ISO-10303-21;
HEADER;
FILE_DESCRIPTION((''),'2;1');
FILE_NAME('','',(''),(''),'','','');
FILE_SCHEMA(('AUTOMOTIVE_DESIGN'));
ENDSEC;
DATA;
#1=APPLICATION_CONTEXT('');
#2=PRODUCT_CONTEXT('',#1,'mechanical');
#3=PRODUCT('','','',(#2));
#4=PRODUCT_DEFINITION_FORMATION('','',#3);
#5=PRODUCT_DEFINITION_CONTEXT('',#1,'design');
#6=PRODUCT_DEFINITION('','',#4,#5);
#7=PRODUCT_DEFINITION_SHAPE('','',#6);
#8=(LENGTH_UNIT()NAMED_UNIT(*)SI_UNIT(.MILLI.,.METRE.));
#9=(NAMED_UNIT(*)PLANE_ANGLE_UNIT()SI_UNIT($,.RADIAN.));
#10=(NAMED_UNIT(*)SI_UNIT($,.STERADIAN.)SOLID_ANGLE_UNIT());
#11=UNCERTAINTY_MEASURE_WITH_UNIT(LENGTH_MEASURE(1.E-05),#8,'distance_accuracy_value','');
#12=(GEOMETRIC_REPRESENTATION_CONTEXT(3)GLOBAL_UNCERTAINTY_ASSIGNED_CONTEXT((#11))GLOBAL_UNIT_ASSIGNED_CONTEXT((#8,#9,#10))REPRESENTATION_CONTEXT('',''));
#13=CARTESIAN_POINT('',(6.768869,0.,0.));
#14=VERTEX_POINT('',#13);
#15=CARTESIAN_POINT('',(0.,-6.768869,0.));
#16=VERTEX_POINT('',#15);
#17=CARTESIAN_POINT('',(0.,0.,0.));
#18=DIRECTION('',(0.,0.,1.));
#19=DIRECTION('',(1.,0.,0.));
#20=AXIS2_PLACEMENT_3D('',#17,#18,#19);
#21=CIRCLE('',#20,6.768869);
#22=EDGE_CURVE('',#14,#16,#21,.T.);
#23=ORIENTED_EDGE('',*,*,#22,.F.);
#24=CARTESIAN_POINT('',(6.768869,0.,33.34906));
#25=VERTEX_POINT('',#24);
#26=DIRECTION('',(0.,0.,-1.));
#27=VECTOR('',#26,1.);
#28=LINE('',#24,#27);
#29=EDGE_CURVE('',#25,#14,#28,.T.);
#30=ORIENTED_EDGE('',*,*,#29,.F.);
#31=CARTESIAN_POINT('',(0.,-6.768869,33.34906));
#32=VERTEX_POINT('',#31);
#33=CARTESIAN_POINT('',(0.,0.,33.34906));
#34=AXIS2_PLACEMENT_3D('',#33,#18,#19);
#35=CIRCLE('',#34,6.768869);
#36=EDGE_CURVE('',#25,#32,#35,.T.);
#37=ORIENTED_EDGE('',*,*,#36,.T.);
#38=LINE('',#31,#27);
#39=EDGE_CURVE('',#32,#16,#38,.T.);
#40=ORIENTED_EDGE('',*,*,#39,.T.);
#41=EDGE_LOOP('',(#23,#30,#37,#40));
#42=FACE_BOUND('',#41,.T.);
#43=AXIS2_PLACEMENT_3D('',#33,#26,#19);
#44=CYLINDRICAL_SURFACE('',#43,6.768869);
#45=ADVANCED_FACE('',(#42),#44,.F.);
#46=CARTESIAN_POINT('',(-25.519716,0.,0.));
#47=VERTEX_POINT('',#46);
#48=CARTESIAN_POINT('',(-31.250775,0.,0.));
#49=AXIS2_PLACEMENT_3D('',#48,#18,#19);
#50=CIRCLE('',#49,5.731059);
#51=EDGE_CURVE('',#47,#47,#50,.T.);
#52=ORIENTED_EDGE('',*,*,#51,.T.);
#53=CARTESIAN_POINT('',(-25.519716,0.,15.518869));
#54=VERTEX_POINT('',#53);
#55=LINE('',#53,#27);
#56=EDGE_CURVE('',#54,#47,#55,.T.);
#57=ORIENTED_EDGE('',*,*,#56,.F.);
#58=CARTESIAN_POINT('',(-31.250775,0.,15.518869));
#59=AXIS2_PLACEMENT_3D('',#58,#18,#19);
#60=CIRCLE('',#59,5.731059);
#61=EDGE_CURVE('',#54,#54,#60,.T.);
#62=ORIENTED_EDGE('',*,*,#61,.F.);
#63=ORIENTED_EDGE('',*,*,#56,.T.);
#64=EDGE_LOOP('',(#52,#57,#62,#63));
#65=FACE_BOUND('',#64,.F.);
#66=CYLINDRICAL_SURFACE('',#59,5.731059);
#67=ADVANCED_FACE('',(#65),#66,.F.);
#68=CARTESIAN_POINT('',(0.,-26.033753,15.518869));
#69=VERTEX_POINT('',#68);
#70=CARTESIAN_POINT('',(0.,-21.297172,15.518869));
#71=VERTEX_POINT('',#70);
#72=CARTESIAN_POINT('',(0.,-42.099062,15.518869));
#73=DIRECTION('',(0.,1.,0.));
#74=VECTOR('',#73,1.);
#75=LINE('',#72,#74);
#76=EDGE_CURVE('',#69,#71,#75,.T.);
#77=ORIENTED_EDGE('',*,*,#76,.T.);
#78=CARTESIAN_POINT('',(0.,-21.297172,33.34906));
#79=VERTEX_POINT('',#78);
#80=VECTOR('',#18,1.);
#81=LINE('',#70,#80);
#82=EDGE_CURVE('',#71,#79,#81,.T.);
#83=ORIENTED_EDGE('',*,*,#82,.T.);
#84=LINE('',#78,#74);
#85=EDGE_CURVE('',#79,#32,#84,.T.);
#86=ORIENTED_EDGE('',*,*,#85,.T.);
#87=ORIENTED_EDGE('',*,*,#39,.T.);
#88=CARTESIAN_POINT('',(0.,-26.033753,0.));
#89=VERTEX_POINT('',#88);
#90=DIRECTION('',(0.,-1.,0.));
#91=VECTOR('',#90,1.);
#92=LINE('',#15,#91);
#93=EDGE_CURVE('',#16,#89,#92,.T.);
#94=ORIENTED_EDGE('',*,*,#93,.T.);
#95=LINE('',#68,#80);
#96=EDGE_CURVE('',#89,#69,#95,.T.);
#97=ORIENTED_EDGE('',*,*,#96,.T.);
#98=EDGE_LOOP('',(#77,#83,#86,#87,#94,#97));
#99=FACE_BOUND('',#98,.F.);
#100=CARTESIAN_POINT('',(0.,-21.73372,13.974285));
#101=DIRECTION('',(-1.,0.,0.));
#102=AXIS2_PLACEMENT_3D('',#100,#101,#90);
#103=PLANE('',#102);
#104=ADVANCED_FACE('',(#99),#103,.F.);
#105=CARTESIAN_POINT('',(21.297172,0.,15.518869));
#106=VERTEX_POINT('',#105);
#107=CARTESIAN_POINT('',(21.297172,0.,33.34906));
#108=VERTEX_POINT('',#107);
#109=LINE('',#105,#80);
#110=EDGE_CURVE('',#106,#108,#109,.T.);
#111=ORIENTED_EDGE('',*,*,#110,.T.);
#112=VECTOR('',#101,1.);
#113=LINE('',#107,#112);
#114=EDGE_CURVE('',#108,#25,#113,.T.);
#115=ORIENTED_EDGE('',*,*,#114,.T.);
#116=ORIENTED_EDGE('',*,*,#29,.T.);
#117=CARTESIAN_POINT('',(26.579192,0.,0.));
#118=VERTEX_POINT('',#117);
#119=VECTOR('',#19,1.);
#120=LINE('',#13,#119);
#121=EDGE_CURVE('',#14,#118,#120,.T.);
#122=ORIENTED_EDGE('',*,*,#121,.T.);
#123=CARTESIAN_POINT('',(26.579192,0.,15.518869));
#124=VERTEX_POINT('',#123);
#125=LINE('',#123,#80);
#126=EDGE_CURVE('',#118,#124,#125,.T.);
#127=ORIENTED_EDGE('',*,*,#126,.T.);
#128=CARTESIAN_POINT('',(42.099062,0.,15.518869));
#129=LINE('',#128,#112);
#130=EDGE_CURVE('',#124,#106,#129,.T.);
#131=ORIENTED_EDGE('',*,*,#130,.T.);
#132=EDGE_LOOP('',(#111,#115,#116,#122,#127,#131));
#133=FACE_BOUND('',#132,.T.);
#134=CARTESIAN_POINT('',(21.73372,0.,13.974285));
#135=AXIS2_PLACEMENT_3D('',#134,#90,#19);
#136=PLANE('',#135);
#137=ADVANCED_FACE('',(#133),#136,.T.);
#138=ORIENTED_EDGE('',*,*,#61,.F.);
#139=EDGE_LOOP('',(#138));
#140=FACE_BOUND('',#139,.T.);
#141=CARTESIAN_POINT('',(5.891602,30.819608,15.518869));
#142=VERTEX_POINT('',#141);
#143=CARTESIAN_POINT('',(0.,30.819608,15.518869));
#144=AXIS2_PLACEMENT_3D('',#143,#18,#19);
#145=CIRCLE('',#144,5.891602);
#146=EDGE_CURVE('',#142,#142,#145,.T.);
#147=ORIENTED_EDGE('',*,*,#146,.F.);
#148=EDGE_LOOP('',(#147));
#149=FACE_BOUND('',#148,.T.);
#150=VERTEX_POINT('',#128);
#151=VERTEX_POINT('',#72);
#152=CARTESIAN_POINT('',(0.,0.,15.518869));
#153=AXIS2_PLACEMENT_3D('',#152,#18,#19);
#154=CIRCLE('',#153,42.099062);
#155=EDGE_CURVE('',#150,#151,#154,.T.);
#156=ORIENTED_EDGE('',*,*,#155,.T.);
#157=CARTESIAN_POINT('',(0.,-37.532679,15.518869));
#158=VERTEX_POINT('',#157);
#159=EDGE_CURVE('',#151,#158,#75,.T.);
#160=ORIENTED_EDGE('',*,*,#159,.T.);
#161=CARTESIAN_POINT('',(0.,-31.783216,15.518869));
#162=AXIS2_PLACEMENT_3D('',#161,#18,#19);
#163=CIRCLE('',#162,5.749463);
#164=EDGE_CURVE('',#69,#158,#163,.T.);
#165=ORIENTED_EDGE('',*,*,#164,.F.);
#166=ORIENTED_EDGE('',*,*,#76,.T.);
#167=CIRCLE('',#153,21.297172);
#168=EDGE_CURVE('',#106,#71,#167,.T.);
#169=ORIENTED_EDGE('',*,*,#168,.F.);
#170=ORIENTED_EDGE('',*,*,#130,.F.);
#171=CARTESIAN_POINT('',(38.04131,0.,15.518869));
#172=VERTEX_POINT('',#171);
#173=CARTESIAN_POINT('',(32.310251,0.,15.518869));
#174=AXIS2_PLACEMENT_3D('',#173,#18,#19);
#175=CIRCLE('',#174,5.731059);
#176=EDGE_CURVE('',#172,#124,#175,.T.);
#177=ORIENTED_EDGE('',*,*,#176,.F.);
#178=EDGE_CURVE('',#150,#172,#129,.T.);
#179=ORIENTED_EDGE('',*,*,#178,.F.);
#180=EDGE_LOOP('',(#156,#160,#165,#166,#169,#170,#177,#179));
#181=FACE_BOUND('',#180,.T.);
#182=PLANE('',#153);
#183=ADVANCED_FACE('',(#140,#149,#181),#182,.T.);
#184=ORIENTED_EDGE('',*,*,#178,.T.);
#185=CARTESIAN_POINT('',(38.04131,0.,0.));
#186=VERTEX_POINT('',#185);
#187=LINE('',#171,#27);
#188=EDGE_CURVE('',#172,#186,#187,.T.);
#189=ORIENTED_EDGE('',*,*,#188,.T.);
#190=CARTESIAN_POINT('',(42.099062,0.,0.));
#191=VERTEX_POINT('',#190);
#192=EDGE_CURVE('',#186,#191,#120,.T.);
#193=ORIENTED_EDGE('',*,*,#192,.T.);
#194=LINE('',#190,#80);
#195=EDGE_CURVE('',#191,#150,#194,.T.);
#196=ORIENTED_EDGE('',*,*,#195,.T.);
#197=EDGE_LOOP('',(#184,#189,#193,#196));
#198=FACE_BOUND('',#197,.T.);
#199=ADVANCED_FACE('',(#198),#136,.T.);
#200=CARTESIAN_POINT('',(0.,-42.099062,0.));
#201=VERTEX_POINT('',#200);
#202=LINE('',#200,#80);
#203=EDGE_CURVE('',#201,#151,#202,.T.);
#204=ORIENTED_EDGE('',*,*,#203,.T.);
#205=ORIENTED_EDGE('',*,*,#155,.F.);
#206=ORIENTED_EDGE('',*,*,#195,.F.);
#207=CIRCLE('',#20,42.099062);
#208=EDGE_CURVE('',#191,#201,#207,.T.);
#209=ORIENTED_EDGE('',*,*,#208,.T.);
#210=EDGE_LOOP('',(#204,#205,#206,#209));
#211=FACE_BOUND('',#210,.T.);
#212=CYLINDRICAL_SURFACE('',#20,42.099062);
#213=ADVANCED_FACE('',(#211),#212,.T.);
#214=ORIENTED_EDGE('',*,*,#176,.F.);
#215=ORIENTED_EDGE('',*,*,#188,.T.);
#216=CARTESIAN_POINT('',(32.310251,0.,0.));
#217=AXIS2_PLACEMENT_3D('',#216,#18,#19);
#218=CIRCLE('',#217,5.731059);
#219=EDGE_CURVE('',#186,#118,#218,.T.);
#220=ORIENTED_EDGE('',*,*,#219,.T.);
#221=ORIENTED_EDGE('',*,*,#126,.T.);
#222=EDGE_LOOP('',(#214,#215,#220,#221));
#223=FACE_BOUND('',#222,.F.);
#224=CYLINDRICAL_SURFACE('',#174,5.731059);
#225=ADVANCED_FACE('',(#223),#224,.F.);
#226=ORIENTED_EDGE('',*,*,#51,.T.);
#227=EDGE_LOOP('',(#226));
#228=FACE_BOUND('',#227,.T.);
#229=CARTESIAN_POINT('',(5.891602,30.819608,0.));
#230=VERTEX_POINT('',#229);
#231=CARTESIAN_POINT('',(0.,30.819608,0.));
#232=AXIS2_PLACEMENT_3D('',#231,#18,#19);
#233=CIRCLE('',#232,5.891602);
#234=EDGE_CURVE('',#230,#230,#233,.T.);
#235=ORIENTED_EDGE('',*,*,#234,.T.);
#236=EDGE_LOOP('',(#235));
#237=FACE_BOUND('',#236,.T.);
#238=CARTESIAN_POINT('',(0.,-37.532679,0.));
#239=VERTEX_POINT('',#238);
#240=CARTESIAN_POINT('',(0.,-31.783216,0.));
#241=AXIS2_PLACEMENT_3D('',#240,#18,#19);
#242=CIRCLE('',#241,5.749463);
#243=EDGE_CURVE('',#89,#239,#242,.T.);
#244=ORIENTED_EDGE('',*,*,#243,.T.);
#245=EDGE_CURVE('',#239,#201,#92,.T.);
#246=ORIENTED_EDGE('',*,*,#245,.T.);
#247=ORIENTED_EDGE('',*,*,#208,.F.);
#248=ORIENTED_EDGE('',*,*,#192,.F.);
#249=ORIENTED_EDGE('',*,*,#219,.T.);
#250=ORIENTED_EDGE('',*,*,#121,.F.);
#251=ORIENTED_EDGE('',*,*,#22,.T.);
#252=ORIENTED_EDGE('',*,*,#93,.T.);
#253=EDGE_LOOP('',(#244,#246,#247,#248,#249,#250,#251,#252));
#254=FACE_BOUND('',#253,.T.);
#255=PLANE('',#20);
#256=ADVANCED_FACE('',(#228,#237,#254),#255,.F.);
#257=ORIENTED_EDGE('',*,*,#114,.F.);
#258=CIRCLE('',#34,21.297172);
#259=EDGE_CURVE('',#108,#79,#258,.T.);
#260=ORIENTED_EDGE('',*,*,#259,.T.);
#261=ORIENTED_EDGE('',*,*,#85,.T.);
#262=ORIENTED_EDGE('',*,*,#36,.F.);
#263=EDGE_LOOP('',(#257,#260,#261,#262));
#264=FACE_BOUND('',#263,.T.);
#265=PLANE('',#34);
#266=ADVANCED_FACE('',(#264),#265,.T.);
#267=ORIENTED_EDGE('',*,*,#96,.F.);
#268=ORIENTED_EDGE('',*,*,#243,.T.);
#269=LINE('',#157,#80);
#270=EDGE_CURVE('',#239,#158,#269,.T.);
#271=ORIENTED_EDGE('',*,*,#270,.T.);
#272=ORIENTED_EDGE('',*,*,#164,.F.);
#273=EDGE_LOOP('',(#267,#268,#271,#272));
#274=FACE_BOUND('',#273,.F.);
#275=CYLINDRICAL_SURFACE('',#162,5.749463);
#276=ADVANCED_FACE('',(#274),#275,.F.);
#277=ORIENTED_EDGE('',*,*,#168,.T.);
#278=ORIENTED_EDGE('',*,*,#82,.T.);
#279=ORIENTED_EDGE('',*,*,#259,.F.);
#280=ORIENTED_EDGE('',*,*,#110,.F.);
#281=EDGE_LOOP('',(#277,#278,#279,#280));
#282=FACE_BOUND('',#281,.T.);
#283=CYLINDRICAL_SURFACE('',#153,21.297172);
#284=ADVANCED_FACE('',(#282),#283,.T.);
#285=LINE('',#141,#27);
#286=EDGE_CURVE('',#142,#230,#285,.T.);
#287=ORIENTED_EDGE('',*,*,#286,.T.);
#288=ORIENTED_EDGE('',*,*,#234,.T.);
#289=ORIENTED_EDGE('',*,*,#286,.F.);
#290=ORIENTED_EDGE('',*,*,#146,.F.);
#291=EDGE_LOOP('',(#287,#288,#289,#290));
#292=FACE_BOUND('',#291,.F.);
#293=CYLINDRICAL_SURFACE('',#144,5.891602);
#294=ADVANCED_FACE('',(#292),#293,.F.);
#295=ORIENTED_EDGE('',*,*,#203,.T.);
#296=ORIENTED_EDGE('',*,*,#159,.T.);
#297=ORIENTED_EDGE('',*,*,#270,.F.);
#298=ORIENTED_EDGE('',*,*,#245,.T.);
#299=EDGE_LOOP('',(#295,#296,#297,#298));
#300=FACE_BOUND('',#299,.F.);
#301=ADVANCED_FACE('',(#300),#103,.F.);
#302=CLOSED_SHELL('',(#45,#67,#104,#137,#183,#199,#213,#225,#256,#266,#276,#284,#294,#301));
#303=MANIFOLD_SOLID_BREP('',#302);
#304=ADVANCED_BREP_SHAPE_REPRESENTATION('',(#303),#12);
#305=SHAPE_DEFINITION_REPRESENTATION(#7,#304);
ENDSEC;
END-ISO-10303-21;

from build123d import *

# Parameters (mm, degrees)
F1_ANGLE = 270
F2_R     = 5.891602
F2_R_2   = 5.731059
F2_R_3   = 5.749463
F3_DEPTH = 25


with BuildPart() as f1:
    # F0 (on Front) → F1 (revolve)
    with BuildSketch(Plane.XZ):
        Polygon((6.768869, 15.518869), (6.768869, 0), (42.099062, 0), (42.099062, 15.518869), (21.297172, 15.518869), (21.297172, 33.34906), (6.768869, 33.34906), align=None)
    revolve(axis=Axis((0, 0, 14.268859), (0, 0, 1)), revolution_arc=F1_ANGLE)

    # F2 (on face) → F3 (cut)
    with BuildSketch(Plane.XY.offset(15.518869)):
        with Locations((0, 30.819608)):
            Circle(F2_R)
        with Locations((-31.250775, 0)):
            Circle(F2_R_2)
        with Locations((0, -31.783216)):
            Circle(F2_R_3)
        with Locations((32.310251, 0)):
            Circle(F2_R_2)
    extrude(amount=-F3_DEPTH, mode=Mode.SUBTRACT)


solid = f1.part
